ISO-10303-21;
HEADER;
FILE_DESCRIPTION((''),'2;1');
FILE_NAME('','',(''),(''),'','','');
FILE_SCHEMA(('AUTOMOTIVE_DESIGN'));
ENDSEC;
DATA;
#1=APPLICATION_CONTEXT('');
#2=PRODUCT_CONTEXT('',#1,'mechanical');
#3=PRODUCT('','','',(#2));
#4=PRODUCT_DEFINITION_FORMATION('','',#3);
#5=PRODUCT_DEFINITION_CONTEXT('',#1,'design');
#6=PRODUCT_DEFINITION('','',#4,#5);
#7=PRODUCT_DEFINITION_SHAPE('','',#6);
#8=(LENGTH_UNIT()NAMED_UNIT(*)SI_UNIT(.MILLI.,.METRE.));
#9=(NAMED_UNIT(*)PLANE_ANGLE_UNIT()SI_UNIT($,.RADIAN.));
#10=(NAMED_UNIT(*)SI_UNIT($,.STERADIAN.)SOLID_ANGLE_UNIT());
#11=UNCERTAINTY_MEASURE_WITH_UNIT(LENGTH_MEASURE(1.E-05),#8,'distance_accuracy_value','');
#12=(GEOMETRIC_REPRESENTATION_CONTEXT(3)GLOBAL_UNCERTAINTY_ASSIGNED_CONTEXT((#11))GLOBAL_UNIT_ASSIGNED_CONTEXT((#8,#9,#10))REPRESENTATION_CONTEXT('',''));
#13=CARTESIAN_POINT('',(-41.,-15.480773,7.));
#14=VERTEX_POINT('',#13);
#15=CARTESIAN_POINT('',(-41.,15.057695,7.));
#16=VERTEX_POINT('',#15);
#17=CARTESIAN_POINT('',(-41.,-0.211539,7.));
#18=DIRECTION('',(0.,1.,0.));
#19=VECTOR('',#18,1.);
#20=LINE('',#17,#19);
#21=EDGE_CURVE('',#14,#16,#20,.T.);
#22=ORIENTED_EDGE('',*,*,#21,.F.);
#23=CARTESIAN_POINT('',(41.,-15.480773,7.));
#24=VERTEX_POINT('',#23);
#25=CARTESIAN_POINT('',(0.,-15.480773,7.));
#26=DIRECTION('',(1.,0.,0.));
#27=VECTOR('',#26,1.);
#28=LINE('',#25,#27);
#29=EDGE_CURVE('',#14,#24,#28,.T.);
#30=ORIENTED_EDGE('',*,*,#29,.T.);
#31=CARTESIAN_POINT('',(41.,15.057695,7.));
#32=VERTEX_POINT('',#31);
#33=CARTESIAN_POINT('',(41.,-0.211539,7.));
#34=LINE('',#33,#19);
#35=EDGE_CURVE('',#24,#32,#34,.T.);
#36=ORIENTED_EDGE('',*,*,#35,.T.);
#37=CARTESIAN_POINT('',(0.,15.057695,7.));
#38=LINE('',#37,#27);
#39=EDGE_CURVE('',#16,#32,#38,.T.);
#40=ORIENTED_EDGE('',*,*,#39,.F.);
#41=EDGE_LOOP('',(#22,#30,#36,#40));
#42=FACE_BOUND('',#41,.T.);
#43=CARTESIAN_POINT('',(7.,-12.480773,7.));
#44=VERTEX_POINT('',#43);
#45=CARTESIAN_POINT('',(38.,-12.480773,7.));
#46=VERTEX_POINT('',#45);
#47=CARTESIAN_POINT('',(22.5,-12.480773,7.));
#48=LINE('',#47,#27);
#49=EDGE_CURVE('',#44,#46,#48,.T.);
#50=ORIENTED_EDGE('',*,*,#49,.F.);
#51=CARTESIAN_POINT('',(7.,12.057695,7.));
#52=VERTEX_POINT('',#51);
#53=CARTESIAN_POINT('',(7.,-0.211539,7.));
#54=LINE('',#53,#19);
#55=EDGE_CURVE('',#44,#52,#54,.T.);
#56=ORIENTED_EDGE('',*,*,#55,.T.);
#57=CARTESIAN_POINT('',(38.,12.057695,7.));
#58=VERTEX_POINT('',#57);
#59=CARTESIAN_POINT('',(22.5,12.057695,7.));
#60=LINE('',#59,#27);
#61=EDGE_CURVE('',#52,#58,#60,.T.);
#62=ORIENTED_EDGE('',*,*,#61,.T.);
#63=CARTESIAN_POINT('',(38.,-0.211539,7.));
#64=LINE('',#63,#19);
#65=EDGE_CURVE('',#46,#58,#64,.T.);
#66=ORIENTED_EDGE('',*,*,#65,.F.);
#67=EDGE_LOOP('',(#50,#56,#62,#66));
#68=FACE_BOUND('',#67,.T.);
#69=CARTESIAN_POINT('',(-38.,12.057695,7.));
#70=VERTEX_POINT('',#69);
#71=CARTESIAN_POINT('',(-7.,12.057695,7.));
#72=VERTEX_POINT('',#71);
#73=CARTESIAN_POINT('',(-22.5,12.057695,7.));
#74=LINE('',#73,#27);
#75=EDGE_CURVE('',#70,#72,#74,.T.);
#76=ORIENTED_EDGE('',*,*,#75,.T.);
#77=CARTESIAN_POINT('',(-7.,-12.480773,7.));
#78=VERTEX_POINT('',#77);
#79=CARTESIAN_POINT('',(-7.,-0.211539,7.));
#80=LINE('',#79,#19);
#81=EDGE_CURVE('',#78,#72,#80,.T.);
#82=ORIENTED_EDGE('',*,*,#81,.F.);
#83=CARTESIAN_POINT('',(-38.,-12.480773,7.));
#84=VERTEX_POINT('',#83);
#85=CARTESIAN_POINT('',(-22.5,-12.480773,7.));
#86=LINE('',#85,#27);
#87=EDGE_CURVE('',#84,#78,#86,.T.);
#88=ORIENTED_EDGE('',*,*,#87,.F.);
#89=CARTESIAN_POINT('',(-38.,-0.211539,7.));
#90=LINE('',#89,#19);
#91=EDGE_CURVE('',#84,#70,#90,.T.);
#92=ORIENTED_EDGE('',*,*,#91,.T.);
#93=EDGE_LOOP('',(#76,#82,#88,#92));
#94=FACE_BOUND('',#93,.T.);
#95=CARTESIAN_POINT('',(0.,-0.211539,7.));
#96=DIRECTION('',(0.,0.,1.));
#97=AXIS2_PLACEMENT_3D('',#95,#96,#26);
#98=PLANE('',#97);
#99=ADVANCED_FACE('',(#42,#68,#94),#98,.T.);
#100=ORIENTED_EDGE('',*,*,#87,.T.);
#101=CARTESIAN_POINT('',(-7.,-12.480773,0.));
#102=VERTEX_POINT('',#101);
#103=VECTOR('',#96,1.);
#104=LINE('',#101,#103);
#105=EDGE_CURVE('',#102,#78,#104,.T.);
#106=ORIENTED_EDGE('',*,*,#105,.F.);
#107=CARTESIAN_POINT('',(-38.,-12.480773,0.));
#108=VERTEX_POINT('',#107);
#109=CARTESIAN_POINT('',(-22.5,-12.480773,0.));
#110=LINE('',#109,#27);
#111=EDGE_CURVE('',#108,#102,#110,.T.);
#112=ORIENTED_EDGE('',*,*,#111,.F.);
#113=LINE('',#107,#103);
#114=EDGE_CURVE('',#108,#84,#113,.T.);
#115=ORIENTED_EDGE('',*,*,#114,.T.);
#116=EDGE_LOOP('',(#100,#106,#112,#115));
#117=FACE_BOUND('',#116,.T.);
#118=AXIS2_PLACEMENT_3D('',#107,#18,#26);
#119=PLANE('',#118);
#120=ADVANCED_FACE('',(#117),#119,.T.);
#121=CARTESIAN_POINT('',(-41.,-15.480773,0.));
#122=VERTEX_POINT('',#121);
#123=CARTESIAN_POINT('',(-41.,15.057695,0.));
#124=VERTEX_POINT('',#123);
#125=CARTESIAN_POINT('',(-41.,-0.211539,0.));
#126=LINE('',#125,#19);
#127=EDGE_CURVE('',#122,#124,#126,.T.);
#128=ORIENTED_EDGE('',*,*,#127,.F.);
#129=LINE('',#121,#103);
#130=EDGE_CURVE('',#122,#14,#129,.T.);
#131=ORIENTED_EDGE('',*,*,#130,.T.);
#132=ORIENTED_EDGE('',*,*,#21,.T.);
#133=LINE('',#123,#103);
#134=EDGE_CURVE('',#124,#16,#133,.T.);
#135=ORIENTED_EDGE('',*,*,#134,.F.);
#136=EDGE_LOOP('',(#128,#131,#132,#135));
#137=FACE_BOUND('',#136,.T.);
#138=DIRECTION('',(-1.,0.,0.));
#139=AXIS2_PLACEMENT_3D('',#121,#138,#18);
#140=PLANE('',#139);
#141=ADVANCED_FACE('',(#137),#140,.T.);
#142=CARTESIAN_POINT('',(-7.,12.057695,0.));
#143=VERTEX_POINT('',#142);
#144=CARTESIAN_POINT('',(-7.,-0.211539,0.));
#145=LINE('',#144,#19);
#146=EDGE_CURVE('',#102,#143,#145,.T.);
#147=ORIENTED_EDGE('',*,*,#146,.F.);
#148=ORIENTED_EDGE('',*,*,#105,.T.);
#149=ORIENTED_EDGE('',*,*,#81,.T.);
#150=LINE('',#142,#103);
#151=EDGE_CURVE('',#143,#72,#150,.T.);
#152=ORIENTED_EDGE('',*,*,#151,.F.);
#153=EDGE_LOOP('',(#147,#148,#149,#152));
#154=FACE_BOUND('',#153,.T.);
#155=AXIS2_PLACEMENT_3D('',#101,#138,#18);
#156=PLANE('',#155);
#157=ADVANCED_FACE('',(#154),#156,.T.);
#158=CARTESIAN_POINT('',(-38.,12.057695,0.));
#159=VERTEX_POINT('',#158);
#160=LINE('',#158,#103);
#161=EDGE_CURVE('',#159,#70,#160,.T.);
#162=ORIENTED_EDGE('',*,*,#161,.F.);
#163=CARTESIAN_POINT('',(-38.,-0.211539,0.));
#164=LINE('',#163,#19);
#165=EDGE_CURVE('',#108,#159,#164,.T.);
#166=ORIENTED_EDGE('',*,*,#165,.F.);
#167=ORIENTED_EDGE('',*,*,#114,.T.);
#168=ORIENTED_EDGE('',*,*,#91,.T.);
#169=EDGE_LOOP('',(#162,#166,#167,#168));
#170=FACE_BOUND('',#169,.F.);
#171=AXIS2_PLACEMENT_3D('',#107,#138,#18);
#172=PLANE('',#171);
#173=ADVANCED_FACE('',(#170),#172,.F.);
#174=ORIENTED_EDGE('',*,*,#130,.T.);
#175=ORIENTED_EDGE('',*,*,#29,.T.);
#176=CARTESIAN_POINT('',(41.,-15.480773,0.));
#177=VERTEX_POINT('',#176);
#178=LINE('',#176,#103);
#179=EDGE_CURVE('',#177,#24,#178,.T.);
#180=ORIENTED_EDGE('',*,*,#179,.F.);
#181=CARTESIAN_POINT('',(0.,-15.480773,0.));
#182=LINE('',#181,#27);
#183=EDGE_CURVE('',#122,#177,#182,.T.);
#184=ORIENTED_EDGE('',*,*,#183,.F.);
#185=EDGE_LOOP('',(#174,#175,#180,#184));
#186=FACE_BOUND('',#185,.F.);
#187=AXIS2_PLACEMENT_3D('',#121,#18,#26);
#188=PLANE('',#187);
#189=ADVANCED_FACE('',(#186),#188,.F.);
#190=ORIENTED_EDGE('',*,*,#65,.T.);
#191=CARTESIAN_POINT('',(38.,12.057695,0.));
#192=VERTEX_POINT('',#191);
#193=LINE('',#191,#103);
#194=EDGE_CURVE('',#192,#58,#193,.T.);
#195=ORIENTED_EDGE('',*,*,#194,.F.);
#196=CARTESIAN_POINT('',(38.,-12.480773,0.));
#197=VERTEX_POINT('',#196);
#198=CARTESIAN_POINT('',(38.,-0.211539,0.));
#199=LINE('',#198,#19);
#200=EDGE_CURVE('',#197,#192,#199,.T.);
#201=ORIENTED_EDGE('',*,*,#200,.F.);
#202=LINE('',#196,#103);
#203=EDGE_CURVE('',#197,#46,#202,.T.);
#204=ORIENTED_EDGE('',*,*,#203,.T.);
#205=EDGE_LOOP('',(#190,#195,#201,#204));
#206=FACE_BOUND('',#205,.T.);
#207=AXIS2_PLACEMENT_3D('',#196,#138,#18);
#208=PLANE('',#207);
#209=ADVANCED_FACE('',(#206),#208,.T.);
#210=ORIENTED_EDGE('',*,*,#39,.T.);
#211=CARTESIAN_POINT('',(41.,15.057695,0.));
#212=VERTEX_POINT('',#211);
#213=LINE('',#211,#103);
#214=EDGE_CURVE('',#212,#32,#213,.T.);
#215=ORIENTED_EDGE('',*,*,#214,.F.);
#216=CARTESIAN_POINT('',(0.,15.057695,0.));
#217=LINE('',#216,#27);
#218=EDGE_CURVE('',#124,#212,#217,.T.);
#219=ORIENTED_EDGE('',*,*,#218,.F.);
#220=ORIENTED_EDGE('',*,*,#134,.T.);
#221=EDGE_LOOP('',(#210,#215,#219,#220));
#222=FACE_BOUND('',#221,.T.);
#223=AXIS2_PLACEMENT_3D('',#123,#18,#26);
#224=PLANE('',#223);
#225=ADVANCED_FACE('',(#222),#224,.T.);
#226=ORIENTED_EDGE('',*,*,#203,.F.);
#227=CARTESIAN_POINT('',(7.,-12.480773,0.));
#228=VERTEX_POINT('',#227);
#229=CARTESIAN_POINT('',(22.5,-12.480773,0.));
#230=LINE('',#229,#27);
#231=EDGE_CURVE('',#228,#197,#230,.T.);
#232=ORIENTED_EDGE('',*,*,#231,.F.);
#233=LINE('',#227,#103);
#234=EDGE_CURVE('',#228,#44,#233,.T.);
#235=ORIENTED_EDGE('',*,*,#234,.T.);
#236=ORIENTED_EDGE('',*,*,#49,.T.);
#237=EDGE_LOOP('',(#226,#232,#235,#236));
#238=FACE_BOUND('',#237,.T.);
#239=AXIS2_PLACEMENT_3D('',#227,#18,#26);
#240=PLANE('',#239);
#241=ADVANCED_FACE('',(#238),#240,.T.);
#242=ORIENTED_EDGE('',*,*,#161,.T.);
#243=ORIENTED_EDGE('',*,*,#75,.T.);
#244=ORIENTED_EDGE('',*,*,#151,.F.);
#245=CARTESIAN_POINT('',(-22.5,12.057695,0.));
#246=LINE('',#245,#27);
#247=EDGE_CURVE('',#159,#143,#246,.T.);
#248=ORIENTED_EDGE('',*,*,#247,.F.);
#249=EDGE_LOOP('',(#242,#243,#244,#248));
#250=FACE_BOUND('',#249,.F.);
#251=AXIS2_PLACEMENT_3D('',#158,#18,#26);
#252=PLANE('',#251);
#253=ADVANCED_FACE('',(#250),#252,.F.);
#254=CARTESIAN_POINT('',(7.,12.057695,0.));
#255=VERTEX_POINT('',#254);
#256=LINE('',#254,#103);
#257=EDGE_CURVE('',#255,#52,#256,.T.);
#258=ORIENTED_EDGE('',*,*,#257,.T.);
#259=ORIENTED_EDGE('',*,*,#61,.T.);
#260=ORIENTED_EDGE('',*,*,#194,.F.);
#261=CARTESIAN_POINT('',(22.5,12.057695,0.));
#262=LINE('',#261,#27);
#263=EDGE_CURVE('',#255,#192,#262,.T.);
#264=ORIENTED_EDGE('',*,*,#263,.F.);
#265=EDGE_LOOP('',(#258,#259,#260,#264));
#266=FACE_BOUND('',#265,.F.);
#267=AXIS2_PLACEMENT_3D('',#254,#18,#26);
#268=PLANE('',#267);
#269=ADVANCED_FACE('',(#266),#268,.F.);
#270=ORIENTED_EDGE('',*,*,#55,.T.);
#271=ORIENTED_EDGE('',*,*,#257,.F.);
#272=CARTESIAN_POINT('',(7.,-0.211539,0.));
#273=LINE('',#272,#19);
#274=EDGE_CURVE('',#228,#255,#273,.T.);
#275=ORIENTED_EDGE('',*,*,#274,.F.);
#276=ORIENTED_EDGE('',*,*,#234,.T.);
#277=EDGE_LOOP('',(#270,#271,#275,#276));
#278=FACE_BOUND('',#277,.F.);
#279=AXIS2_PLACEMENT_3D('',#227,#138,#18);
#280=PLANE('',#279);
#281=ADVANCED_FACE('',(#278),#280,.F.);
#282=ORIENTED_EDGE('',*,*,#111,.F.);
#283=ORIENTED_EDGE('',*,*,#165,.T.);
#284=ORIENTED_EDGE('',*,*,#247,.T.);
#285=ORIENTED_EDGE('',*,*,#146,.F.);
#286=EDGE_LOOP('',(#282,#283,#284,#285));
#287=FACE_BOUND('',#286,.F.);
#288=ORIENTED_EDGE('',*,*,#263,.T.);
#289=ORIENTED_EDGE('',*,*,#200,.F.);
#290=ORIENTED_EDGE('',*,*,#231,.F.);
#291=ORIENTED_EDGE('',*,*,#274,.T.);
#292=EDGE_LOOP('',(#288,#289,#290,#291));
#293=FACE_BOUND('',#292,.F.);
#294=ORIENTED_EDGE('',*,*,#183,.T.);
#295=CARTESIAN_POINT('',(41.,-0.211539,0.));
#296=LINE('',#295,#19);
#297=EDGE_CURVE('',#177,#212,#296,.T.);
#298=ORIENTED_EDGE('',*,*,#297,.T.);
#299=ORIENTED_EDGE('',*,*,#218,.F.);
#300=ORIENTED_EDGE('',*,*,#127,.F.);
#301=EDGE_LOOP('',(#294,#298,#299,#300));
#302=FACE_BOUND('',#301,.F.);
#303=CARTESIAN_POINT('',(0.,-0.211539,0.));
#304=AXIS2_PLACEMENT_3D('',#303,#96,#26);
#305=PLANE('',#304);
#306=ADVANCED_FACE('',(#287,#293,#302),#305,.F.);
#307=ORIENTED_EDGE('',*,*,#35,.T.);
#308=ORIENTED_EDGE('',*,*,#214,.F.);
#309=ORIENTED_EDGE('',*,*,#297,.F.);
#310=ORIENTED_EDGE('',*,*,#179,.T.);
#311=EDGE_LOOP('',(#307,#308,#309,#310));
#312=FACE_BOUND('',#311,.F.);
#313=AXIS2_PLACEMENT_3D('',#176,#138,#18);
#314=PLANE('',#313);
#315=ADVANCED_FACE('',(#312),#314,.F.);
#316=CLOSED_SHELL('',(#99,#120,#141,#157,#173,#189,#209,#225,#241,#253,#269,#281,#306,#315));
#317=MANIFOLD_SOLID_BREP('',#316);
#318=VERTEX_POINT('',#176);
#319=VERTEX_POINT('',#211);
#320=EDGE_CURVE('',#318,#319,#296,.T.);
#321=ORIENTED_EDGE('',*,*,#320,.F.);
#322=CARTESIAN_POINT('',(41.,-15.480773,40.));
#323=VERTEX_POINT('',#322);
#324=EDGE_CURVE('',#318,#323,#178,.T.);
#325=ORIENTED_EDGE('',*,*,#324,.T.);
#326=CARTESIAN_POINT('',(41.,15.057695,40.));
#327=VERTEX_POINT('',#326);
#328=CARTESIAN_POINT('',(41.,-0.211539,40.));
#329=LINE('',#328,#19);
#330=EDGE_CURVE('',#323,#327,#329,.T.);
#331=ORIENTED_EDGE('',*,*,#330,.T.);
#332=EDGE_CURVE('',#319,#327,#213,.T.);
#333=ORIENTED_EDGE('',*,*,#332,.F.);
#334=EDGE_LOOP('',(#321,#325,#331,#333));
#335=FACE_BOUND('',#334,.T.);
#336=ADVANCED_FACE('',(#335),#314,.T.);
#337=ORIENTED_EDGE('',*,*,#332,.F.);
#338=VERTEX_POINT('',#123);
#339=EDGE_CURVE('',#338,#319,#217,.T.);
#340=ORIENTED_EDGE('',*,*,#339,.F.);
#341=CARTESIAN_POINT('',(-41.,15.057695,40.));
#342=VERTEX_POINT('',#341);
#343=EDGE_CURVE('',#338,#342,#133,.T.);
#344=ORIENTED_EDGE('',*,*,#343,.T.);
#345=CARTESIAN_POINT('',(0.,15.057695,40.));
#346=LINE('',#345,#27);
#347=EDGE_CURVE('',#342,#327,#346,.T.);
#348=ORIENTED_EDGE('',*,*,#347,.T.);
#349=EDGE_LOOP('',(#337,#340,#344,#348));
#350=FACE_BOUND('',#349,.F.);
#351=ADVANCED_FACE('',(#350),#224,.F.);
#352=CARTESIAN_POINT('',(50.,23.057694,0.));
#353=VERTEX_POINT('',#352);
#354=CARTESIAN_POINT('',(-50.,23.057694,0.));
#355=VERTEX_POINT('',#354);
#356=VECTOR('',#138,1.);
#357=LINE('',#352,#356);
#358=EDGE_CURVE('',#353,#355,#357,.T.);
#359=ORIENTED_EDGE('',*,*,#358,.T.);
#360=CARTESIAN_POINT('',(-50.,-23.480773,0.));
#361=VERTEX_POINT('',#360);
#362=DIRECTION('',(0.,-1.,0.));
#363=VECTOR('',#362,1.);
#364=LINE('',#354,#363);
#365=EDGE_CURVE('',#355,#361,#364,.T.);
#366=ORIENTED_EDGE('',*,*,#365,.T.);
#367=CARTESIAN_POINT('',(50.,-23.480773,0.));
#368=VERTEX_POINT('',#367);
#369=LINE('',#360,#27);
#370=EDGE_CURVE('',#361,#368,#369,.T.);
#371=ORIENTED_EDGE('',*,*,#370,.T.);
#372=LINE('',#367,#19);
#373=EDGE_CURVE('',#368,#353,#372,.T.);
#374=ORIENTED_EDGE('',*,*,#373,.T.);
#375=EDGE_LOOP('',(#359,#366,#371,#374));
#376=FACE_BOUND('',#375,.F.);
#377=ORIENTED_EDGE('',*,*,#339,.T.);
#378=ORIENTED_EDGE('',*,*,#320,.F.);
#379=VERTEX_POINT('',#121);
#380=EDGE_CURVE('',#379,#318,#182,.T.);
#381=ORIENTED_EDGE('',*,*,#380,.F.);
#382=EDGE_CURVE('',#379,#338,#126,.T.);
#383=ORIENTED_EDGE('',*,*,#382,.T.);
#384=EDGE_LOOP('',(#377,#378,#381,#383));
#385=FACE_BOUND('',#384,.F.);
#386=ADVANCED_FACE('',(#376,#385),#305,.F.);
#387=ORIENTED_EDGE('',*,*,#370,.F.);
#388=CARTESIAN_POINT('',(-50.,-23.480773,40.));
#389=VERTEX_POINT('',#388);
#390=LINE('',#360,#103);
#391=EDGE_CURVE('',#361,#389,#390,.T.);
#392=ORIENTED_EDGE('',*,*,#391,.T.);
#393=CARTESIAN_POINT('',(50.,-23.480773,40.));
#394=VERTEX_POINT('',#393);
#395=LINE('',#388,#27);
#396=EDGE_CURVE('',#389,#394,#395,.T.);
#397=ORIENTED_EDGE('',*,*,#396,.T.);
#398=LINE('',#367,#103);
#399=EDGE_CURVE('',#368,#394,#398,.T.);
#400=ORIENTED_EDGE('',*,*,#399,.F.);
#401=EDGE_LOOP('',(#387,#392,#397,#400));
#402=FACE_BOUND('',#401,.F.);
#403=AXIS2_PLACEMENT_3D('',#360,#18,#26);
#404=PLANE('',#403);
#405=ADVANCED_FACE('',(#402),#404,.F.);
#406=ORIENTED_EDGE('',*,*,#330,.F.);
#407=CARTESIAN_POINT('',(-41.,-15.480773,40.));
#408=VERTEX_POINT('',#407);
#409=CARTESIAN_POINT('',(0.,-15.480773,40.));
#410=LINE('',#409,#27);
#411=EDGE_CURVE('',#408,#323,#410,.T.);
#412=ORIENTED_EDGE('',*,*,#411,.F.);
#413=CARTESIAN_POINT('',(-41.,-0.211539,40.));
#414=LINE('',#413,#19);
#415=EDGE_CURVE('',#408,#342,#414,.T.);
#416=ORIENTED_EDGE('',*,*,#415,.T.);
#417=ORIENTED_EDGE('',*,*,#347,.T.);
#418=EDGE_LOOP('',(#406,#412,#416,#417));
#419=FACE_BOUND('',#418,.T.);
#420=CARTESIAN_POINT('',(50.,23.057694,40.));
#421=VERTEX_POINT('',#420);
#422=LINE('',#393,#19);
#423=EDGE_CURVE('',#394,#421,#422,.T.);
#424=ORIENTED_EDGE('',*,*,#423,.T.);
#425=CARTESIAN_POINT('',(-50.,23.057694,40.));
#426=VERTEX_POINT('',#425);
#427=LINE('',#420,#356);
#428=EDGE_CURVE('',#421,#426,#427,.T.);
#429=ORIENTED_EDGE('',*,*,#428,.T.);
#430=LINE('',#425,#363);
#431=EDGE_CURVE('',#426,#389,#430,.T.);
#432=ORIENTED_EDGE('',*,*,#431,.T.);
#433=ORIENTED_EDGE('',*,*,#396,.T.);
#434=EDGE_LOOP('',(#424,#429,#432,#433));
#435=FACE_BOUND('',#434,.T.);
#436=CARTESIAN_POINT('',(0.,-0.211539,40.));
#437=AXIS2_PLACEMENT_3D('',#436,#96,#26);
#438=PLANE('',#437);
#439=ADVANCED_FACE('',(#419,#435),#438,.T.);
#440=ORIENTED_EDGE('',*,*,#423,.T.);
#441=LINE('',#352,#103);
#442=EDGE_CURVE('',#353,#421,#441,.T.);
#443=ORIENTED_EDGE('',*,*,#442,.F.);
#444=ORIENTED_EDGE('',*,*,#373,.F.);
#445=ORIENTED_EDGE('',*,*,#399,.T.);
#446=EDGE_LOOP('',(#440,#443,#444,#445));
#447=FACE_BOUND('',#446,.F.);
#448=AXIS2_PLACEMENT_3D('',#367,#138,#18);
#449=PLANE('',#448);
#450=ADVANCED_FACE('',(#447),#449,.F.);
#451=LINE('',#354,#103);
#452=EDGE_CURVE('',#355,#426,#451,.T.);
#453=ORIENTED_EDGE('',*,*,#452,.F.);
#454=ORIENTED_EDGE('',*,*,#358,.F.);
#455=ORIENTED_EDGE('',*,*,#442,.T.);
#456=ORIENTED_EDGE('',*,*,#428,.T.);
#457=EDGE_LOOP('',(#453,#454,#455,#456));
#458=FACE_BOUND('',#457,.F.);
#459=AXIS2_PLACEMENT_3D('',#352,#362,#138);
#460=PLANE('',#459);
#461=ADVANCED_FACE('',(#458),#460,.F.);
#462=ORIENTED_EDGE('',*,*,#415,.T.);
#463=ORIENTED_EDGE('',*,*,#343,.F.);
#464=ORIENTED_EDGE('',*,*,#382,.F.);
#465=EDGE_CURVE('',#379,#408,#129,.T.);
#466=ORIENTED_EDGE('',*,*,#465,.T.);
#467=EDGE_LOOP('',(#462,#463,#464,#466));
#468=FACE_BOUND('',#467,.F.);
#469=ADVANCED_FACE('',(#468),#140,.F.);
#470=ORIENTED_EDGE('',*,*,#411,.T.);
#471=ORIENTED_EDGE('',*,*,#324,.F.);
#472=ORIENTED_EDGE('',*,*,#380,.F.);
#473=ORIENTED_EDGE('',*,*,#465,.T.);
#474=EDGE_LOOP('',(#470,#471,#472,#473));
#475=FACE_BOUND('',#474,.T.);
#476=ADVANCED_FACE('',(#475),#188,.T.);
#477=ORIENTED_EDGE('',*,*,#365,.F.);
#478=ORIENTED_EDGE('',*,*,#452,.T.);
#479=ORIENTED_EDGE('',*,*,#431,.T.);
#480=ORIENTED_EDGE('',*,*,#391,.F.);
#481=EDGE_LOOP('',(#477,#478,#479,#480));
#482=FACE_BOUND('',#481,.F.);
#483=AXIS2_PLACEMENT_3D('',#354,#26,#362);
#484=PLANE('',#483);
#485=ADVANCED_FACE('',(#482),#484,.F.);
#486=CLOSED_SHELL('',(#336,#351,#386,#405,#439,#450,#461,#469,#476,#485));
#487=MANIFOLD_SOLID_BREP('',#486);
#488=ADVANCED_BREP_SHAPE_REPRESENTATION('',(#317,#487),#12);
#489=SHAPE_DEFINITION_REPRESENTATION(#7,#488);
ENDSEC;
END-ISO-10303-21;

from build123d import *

# Parameters (mm, degrees)
F0_W     = 82
F0_H     = 30.538467
F1_DEPTH = 40
F0_W_2   = 31
F0_H_2   = 24.538467
F2_DEPTH = 7


with BuildPart() as f1:
    # F0 (on Top) → F1 (new body)
    with BuildSketch(Plane.XY):
        Polygon((0, 23.057694), (-50, 23.057694), (-50, -23.480773), (50, -23.480773), (50, 0), (50, 23.057694), align=None)
        with Locations((0, -0.211539)):
            Rectangle(F0_W, F0_H, mode=Mode.SUBTRACT)
    extrude(amount=F1_DEPTH)


with BuildPart() as f2:
    # F0 (on Top) → F2 (new body)
    with BuildSketch(Plane.XY):
        with Locations((0, -0.211539)):
            Rectangle(F0_W, F0_H)
        with Locations((-22.5, -0.211539)):
            Rectangle(F0_W_2, F0_H_2, mode=Mode.SUBTRACT)
        with Locations((22.5, -0.211539)):
            Rectangle(F0_W_2, F0_H_2, mode=Mode.SUBTRACT)
    extrude(amount=F2_DEPTH)


solid = Compound([f1.part, f2.part])
